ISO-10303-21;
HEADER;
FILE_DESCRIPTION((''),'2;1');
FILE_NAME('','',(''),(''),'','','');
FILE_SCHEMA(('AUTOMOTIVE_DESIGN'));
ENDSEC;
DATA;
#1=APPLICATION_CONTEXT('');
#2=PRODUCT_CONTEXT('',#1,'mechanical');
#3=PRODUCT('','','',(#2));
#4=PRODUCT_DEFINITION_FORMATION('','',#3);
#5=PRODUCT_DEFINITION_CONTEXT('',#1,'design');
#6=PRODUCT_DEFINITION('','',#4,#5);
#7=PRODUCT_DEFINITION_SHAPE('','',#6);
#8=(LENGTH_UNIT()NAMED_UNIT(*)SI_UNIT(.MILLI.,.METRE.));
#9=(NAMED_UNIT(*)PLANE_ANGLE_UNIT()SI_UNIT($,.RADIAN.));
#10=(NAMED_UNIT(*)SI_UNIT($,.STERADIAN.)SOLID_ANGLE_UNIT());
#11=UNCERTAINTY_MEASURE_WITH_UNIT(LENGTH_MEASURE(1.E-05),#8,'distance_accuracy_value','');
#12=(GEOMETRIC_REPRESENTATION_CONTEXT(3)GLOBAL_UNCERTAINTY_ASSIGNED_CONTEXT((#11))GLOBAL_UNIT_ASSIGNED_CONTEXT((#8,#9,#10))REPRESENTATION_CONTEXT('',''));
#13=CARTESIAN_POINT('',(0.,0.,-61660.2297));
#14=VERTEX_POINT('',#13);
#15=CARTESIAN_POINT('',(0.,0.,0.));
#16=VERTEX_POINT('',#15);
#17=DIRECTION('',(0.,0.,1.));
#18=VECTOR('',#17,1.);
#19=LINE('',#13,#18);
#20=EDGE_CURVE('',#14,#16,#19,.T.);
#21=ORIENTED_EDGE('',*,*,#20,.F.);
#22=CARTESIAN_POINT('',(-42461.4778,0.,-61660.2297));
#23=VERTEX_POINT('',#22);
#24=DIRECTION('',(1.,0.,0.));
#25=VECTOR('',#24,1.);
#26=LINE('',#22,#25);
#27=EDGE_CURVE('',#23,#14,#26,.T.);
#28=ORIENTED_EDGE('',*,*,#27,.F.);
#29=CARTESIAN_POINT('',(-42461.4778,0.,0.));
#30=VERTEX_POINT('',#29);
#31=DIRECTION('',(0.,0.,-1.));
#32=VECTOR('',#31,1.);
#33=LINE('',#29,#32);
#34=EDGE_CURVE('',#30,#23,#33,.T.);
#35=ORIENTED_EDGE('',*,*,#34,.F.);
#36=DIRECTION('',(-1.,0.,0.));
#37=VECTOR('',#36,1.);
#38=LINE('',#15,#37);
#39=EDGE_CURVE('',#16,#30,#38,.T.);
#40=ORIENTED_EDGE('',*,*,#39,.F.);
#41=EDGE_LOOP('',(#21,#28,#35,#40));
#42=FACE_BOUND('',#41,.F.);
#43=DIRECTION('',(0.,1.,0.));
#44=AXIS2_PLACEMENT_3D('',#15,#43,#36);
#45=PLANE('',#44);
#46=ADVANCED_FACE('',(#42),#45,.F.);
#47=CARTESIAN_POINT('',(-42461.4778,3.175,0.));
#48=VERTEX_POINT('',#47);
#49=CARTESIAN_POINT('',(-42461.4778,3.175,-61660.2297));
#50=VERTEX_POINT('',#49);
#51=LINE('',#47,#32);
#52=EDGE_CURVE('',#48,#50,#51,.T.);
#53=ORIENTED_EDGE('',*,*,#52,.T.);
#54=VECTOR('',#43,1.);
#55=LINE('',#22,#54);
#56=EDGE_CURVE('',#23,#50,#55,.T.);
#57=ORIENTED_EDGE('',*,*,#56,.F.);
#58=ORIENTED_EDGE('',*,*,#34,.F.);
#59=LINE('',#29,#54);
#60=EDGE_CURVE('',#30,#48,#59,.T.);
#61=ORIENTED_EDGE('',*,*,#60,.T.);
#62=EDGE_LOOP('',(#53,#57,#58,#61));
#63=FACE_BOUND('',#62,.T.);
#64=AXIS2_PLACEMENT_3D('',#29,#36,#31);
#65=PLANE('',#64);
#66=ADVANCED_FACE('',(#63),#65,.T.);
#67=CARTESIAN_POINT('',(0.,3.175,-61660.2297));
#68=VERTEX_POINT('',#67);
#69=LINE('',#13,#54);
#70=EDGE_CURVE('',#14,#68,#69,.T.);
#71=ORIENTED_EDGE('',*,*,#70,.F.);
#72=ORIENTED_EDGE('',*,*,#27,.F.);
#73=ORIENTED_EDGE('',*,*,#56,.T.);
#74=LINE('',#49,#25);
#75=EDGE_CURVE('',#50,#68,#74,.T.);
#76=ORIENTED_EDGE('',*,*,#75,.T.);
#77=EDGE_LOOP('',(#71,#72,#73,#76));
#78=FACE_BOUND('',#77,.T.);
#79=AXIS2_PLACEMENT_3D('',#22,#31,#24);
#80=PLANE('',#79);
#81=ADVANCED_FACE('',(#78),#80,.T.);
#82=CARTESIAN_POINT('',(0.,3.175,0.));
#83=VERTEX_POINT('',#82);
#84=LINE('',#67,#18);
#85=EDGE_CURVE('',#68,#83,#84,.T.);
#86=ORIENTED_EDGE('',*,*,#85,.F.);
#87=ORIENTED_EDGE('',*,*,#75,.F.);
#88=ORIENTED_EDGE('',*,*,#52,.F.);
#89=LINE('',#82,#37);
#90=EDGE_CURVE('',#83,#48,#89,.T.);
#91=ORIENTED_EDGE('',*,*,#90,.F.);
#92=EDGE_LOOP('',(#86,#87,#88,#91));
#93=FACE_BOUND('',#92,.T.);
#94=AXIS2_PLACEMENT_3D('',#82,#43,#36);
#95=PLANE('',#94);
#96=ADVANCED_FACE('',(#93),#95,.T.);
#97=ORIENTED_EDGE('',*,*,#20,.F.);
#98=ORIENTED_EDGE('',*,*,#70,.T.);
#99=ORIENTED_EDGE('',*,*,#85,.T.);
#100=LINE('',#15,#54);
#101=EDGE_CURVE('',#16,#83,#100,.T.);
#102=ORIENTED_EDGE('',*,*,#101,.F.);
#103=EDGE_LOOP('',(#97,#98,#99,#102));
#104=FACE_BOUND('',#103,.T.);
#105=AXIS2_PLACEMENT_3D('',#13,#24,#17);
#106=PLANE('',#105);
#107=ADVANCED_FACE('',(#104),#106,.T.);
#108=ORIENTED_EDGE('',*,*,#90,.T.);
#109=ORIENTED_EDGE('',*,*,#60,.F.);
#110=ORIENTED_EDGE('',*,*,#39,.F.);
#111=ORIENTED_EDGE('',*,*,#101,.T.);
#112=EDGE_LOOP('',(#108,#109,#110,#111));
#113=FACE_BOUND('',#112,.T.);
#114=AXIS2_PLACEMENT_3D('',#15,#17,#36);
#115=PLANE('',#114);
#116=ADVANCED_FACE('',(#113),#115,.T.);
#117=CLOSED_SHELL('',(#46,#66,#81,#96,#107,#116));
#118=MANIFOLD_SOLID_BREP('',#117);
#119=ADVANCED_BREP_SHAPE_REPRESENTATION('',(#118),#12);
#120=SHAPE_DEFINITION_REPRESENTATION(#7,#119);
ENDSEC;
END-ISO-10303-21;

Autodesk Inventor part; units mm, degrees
ref_plane "YZ Plane" through (0, 0, 0) normal (1, 0, 0) x (0, 1, 0)
ref_plane "XZ Plane" through (0, 0, 0) normal (0, 1, 0) x (-1, 0, 0)
ref_plane "XY Plane" through (0, 0, 0) normal (0, 0, 1) x (1, 0, 0)
sketch "Sketch1" plane through (0, 0, 0) normal (0, 1, 0) x (-1, 0, 0)
  line L0 (0, 0) -> (42461.4778, 0)
  line L1 (42461.4778, 0) -> (42461.4778, -61660.2297)
  line L2 (42461.4778, -61660.2297) -> (0, -61660.2297)
  line L3 (0, -61660.2297) -> (0, 0)
extrude "Extrusion1" add sketch "Sketch1" along normal blind 3.175
properties part number "Floor" material "Wood (Birch)"
